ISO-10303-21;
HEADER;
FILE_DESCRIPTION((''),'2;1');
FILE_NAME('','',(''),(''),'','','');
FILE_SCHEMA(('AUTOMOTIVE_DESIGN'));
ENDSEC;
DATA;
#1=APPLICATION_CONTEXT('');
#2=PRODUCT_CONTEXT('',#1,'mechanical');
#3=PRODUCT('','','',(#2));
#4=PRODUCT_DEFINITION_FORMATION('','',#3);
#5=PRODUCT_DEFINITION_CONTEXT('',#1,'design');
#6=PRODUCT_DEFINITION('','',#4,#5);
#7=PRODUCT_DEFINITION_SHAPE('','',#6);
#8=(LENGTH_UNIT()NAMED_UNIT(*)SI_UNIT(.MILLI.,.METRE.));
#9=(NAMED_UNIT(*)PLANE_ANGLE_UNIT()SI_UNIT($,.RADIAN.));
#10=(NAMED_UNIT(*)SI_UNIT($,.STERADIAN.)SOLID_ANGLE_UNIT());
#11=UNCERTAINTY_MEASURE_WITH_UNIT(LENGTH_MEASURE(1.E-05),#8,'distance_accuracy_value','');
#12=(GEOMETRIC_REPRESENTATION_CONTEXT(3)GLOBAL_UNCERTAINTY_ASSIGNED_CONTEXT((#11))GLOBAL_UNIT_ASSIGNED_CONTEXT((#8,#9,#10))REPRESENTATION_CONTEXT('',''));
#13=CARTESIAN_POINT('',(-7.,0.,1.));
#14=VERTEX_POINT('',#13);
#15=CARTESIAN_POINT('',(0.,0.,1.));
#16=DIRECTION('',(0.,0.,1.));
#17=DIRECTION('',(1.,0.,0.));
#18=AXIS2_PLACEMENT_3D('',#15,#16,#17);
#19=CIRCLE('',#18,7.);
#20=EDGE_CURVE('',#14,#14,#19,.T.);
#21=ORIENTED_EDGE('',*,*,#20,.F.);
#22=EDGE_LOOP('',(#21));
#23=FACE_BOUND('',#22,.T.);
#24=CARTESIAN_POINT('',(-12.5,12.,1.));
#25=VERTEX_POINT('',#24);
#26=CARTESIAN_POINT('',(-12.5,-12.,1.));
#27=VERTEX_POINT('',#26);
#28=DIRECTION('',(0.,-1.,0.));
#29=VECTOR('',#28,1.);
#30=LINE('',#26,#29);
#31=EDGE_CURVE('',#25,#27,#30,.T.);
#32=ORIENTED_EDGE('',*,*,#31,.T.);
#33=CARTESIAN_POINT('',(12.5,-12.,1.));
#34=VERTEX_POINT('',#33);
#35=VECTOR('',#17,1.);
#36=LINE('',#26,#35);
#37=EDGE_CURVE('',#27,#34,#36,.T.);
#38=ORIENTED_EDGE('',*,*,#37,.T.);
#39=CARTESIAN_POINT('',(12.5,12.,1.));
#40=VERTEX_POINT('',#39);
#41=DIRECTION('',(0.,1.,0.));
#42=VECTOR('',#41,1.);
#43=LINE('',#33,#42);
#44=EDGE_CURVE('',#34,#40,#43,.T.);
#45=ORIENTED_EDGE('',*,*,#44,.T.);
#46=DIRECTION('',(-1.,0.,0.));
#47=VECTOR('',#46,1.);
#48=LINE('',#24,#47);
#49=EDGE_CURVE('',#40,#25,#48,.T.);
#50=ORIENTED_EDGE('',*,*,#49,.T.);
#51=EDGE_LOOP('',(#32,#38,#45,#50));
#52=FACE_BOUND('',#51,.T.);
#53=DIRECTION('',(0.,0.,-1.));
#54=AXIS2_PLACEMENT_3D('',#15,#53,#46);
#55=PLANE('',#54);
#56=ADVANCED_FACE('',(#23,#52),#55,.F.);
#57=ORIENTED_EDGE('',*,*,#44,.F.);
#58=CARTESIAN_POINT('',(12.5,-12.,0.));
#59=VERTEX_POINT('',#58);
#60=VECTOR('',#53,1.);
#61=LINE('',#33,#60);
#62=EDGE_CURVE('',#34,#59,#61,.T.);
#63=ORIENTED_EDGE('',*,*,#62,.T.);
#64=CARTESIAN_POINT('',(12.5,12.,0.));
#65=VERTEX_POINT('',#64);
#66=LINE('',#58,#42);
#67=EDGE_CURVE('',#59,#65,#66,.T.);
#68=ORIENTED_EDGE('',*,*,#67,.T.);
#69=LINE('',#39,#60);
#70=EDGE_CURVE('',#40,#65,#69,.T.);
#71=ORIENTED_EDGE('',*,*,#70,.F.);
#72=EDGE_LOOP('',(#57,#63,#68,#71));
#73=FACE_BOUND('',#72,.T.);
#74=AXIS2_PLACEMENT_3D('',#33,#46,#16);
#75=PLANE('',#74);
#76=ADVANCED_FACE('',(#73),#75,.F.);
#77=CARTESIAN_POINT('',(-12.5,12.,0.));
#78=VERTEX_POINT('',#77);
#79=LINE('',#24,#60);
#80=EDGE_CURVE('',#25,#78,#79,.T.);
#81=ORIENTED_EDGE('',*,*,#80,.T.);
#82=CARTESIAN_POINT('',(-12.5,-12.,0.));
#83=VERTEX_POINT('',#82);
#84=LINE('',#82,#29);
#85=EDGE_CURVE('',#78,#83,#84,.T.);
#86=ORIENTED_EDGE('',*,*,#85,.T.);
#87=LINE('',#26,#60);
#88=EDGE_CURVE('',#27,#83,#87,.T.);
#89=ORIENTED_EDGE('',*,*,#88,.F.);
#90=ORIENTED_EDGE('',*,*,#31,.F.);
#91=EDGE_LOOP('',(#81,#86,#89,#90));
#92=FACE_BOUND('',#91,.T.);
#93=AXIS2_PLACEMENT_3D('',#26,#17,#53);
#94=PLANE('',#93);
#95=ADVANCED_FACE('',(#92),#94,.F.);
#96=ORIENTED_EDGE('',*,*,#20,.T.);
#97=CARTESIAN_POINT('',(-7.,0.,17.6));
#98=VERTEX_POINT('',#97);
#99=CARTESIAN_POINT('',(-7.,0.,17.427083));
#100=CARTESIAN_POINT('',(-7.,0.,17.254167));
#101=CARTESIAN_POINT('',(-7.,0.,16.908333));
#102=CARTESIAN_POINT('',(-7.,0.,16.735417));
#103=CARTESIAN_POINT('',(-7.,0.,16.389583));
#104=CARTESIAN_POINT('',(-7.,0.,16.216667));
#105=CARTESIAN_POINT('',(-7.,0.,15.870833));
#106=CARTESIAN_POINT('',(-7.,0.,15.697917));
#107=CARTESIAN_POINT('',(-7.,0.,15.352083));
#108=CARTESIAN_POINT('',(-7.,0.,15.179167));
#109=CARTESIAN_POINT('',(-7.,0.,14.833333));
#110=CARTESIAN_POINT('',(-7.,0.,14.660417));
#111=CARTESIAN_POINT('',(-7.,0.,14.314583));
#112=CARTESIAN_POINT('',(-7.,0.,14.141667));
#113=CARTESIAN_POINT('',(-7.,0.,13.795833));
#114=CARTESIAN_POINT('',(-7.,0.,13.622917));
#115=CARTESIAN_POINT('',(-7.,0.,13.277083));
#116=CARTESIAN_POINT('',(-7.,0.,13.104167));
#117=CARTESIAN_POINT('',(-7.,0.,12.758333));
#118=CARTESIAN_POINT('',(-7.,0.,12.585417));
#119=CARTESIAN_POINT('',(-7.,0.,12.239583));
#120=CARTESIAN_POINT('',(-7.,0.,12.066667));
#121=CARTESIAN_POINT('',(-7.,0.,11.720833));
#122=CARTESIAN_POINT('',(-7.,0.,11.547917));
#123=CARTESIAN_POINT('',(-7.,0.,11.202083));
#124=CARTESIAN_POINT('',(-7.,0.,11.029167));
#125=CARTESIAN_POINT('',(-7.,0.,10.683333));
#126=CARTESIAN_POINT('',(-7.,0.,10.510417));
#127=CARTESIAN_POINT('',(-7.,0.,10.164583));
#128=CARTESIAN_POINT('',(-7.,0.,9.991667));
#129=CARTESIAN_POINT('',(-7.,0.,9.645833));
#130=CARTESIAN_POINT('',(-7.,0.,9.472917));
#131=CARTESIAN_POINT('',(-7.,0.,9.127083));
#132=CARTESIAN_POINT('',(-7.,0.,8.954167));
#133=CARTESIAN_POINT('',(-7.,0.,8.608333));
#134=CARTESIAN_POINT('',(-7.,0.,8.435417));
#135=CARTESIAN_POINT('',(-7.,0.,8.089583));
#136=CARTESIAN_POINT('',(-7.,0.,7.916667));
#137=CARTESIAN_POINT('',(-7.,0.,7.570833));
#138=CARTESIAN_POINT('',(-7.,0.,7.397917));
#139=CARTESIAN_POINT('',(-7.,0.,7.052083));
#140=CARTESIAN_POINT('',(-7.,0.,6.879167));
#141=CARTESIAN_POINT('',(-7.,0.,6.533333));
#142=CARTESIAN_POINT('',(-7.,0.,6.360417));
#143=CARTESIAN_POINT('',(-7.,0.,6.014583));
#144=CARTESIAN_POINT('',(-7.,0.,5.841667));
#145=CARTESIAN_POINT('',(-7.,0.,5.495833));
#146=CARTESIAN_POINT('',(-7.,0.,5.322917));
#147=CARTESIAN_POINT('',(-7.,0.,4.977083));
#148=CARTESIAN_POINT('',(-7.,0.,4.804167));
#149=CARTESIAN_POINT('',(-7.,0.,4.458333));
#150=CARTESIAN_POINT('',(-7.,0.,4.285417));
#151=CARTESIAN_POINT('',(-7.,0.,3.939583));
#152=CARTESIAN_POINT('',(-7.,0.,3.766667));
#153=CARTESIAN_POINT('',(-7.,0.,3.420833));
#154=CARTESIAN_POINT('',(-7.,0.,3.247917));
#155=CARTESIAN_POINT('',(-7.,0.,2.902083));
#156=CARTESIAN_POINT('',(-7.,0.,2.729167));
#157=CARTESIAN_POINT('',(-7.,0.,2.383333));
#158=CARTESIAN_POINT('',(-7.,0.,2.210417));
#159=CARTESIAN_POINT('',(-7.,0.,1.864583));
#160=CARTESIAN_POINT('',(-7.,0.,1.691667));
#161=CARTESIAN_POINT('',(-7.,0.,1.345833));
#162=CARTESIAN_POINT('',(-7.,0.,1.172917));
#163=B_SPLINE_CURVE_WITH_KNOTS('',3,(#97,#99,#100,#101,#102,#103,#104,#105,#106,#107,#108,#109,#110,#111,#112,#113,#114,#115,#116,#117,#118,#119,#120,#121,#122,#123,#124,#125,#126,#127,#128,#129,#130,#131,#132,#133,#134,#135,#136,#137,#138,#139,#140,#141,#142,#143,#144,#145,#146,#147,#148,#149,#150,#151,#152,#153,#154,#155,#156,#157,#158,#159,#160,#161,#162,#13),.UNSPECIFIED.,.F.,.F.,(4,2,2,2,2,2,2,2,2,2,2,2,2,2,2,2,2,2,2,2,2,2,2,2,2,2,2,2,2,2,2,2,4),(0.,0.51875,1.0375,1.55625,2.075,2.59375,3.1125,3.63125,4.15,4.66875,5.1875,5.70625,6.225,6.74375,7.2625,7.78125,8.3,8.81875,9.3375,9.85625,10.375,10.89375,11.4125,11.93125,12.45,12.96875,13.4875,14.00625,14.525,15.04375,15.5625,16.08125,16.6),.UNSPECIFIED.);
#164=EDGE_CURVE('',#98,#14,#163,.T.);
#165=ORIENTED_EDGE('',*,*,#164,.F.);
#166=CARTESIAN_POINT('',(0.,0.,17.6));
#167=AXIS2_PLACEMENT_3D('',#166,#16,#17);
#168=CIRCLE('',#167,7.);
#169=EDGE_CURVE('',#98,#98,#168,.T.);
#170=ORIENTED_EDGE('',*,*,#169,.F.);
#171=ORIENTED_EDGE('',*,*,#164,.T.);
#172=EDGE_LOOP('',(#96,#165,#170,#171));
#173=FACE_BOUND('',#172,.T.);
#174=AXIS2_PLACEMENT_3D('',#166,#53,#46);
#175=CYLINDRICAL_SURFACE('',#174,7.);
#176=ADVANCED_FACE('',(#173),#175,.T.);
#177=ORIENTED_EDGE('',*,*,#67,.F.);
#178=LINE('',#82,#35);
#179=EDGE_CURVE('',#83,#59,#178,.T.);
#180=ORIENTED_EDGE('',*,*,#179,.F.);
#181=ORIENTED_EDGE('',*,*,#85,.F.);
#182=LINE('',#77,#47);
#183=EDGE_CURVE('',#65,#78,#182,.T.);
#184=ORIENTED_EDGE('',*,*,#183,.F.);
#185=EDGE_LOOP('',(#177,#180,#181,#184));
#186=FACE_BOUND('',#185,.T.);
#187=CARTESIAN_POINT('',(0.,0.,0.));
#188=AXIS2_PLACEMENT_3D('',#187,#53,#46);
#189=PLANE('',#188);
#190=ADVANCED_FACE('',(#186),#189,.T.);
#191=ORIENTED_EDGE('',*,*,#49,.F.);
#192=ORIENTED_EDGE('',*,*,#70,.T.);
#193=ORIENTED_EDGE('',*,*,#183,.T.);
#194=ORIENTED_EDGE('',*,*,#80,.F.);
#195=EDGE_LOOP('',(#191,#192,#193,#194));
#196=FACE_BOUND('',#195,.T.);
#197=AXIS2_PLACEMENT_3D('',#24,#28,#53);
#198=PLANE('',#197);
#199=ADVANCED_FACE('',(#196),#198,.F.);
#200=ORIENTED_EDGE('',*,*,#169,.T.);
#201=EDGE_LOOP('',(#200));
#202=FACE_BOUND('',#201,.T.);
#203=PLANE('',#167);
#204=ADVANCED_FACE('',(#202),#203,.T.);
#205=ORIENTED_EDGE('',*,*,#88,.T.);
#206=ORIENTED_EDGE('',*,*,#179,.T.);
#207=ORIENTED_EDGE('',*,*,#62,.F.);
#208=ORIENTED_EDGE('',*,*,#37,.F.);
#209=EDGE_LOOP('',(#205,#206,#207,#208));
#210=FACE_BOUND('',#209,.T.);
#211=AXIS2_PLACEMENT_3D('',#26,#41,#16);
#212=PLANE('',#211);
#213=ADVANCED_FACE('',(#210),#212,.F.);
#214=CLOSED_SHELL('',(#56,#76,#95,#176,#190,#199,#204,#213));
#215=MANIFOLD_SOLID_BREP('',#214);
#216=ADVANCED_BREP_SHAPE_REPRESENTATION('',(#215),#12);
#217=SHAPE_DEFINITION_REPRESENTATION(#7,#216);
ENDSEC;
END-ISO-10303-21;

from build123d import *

# Parameters (mm, degrees)
SKETCH_1_W       = 25
SKETCH_1_H       = 24
F_25X24PCB_DEPTH = 1
F_14MM_START     = 1
SKETCH_2_R       = 7
F_14MM_DEPTH     = 16.6


with BuildPart() as part:
    # 草图1 → 25x24PCB示意 (new body)
    with BuildSketch(Plane.XY):
        Rectangle(SKETCH_1_W, SKETCH_1_H)
    extrude(amount=F_25X24PCB_DEPTH)

    # 草图2 → 14mm镜头前端外形示意 (add)
    with BuildSketch(Plane.XY.offset(F_14MM_START)):
        with Locations(Location((0, 0, 0), (0, 0, 180))):
            Circle(SKETCH_2_R)
    extrude(amount=F_14MM_DEPTH)


solid = part.part
